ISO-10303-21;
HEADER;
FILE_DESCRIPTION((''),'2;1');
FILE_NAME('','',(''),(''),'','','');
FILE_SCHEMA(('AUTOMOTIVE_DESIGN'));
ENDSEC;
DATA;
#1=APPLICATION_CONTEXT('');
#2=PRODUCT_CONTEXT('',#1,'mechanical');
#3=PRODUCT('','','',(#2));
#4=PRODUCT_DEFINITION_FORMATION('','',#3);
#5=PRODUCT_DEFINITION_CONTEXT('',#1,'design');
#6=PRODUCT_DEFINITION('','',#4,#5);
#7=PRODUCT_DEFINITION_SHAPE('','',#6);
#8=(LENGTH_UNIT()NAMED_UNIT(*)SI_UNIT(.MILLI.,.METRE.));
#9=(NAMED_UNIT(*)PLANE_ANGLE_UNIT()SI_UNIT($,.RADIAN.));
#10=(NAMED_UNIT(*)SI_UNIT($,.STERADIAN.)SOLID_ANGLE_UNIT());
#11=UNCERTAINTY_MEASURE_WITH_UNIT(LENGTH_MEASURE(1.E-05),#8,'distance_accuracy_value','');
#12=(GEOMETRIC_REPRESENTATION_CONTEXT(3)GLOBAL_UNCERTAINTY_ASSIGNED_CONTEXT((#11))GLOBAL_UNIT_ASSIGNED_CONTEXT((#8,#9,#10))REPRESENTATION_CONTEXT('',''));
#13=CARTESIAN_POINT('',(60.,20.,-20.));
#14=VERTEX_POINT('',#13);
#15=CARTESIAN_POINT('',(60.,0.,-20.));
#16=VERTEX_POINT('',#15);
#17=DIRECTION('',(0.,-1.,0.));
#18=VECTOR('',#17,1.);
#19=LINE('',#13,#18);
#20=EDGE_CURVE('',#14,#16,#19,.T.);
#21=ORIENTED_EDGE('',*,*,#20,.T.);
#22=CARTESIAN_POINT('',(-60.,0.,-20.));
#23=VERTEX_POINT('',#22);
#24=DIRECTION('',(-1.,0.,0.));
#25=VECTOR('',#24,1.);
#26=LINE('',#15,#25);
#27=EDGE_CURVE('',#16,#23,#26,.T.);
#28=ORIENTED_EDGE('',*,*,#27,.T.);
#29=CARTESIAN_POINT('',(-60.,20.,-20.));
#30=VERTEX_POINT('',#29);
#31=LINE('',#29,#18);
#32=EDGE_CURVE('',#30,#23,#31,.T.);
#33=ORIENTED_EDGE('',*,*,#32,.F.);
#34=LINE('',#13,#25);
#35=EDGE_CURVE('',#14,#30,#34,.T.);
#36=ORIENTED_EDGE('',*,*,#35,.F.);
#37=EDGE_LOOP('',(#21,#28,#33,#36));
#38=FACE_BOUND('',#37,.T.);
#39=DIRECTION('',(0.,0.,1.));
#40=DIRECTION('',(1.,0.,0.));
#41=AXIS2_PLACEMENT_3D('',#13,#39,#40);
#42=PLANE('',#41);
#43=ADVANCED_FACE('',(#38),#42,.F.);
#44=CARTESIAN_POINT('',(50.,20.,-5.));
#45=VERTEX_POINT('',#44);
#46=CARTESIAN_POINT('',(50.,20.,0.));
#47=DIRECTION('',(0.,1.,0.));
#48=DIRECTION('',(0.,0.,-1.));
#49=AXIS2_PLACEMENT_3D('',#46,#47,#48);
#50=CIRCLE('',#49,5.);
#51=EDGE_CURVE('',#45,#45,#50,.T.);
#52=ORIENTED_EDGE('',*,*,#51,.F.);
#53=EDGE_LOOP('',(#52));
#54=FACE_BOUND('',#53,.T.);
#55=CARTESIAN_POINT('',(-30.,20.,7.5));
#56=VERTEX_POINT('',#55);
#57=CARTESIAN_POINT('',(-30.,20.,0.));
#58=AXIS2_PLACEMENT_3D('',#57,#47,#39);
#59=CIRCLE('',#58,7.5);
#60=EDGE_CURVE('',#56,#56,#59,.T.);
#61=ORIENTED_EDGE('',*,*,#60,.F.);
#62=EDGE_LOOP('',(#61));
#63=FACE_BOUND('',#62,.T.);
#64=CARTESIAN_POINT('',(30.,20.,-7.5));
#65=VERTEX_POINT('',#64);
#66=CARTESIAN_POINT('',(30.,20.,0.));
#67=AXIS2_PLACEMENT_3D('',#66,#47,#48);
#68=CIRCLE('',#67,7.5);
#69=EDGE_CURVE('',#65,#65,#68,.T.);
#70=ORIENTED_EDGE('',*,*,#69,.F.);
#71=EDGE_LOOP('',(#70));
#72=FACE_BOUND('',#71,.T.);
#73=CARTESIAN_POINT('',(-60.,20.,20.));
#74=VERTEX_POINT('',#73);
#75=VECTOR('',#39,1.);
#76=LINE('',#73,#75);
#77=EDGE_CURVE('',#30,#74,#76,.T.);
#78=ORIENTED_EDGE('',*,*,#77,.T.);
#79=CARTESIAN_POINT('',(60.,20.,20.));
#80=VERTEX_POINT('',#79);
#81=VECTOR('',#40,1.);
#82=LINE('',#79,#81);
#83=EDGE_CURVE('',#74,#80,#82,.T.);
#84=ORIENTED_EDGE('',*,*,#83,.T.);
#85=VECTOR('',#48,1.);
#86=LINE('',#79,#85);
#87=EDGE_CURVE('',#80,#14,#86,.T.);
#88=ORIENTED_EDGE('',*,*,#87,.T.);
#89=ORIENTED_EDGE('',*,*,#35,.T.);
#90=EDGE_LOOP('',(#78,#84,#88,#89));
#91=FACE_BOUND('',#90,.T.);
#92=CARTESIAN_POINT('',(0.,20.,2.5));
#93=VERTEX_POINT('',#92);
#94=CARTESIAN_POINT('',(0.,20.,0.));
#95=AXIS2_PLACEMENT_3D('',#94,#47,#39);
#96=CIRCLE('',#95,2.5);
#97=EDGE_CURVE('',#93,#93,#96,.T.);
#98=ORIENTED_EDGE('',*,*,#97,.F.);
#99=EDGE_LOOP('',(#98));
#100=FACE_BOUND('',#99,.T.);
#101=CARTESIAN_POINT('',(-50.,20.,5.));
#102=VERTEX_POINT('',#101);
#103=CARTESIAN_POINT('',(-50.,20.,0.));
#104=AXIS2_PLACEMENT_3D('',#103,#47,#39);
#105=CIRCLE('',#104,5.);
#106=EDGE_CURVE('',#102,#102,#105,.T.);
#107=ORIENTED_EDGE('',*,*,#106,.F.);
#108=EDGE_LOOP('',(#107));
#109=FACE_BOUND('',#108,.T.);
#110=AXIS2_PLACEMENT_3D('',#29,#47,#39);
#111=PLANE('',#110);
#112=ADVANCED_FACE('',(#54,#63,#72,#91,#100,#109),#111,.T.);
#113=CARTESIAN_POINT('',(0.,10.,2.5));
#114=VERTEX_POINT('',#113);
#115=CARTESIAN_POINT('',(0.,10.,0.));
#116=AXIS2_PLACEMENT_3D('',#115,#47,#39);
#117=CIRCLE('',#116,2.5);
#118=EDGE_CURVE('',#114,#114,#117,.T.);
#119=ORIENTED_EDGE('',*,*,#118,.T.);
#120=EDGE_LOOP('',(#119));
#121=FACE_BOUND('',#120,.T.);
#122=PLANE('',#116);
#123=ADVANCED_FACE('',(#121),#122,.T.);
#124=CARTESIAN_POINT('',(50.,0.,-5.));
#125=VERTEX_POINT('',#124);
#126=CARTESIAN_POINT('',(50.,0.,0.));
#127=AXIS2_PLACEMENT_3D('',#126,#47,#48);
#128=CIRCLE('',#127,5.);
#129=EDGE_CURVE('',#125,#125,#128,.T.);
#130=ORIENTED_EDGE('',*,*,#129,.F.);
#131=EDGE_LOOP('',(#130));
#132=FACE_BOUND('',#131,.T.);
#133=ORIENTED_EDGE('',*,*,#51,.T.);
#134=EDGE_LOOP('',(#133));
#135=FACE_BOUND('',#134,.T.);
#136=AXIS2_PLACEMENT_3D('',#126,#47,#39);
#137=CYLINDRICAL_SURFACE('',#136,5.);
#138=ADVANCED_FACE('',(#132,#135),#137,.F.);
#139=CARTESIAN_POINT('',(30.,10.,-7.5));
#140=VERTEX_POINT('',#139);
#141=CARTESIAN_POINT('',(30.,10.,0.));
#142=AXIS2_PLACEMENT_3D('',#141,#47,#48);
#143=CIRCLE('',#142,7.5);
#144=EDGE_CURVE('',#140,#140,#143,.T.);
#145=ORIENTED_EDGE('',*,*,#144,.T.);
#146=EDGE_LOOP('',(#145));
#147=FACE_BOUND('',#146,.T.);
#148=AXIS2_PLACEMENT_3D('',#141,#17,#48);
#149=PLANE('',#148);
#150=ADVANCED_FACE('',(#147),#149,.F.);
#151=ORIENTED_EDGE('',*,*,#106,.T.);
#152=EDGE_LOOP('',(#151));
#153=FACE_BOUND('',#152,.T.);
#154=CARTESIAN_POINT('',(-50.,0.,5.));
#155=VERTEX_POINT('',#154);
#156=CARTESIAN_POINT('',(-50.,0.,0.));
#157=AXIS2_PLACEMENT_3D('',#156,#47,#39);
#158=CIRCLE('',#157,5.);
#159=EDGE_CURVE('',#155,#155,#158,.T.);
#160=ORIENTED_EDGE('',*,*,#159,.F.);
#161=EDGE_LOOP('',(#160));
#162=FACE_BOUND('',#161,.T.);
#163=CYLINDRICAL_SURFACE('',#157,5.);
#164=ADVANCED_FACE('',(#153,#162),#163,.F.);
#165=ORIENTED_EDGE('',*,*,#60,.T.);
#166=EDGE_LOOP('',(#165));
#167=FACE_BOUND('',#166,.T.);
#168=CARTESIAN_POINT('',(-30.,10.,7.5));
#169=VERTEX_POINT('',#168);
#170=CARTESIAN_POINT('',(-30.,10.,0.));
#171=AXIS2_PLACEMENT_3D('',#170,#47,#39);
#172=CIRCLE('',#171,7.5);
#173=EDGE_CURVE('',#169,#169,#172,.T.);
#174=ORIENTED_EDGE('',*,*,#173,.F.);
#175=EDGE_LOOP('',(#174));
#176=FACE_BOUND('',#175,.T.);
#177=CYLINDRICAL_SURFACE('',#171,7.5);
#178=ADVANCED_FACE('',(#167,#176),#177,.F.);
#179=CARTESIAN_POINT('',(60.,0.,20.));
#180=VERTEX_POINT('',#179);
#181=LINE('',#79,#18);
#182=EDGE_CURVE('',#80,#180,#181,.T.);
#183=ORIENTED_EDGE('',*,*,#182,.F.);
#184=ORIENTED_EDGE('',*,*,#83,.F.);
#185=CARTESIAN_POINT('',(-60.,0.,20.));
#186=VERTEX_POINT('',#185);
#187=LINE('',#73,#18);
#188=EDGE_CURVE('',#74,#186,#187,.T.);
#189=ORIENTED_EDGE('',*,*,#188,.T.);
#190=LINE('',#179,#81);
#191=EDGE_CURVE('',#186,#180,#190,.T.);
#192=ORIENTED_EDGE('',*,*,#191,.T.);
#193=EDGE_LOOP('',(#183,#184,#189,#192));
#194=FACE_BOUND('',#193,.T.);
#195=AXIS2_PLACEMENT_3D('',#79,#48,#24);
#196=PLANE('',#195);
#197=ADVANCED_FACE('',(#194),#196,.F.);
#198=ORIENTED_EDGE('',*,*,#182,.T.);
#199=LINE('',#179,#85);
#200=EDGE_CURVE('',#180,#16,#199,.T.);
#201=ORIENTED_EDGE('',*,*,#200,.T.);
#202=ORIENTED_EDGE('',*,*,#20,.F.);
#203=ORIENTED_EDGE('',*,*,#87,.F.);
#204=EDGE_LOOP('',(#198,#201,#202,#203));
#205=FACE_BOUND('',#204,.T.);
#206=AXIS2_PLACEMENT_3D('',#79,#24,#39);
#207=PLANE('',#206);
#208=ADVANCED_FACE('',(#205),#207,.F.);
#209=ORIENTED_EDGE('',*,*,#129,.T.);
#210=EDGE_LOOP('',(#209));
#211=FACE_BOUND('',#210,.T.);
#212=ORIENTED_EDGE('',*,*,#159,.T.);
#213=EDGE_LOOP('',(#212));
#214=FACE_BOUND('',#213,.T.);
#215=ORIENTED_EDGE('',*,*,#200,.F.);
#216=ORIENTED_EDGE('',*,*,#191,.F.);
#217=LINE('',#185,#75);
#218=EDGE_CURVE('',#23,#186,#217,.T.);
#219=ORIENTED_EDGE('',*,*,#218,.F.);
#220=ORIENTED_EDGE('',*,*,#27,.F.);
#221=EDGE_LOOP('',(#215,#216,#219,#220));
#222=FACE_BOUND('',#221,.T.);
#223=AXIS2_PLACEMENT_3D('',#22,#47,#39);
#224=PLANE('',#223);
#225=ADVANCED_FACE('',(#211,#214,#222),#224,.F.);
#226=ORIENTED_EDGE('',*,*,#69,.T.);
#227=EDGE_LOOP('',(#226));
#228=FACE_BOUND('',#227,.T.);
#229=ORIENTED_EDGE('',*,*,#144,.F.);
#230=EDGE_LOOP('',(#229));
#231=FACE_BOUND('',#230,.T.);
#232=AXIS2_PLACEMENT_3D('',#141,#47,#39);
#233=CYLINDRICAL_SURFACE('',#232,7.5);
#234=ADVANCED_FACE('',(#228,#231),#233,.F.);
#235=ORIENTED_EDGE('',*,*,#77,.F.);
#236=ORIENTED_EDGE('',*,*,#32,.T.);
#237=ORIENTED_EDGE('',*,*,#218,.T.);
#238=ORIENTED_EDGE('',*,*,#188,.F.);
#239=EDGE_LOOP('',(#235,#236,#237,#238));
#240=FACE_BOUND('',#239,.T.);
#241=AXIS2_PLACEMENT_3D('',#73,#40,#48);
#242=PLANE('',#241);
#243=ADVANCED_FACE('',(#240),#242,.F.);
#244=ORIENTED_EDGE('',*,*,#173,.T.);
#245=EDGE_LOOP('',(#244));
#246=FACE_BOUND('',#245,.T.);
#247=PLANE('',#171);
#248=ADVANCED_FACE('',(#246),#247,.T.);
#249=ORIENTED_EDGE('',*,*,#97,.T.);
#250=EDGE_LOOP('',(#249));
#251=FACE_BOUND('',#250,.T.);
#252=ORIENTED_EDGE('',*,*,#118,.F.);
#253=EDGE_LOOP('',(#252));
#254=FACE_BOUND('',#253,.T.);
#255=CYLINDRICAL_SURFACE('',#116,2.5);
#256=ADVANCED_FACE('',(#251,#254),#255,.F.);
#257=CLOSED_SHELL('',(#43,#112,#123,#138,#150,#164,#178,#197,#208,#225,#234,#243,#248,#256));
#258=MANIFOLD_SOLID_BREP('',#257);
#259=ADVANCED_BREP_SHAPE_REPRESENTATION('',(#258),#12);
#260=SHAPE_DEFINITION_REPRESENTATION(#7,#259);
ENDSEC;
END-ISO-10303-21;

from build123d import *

# Parameters (mm, degrees)
CROQUIS1_W     = 120
CROQUIS1_H     = 40
EXTRUIR1_DEPTH = 20
CROQUIS2_R     = 5
EXTRUIR2_DEPTH = 67.332495807
CROQUIS4_R     = 7.5
CROQUIS4_R_2   = 2.5
EXTRUIR3_DEPTH = 10


with BuildPart() as part:
    # Croquis1 → Extruir1 (new body)
    with BuildSketch(Plane(origin=(0, 0, 0), x_dir=(1, 0, 0), z_dir=(0, 1, 0))):
        Rectangle(CROQUIS1_W, CROQUIS1_H)
    extrude(amount=EXTRUIR1_DEPTH)

    # Croquis2 → Extruir2 (cut, through all)
    with BuildSketch(Plane(origin=(0, 20, 0), x_dir=(1, 0, 0), z_dir=(0, 1, 0))):
        with Locations(Location((-50, 0, 0), (0, 0, 270))):
            Circle(CROQUIS2_R)
        with Locations(Location((50, 0, 0), (0, 0, 90))):
            Circle(CROQUIS2_R)
    extrude(amount=-EXTRUIR2_DEPTH, mode=Mode.SUBTRACT)

    # Croquis4 → Extruir3 (cut)
    with BuildSketch(Plane(origin=(0, 20, 0), x_dir=(1, 0, 0), z_dir=(0, 1, 0))):
        with Locations(Location((-30, 0, 0), (0, 0, 270))):
            Circle(CROQUIS4_R)
        with Locations(Location((30, 0, 0), (0, 0, 90))):
            Circle(CROQUIS4_R)
        with Locations(Location((0, 0, 0), (0, 0, 270))):
            Circle(CROQUIS4_R_2)
    extrude(amount=-EXTRUIR3_DEPTH, mode=Mode.SUBTRACT)


solid = part.part
